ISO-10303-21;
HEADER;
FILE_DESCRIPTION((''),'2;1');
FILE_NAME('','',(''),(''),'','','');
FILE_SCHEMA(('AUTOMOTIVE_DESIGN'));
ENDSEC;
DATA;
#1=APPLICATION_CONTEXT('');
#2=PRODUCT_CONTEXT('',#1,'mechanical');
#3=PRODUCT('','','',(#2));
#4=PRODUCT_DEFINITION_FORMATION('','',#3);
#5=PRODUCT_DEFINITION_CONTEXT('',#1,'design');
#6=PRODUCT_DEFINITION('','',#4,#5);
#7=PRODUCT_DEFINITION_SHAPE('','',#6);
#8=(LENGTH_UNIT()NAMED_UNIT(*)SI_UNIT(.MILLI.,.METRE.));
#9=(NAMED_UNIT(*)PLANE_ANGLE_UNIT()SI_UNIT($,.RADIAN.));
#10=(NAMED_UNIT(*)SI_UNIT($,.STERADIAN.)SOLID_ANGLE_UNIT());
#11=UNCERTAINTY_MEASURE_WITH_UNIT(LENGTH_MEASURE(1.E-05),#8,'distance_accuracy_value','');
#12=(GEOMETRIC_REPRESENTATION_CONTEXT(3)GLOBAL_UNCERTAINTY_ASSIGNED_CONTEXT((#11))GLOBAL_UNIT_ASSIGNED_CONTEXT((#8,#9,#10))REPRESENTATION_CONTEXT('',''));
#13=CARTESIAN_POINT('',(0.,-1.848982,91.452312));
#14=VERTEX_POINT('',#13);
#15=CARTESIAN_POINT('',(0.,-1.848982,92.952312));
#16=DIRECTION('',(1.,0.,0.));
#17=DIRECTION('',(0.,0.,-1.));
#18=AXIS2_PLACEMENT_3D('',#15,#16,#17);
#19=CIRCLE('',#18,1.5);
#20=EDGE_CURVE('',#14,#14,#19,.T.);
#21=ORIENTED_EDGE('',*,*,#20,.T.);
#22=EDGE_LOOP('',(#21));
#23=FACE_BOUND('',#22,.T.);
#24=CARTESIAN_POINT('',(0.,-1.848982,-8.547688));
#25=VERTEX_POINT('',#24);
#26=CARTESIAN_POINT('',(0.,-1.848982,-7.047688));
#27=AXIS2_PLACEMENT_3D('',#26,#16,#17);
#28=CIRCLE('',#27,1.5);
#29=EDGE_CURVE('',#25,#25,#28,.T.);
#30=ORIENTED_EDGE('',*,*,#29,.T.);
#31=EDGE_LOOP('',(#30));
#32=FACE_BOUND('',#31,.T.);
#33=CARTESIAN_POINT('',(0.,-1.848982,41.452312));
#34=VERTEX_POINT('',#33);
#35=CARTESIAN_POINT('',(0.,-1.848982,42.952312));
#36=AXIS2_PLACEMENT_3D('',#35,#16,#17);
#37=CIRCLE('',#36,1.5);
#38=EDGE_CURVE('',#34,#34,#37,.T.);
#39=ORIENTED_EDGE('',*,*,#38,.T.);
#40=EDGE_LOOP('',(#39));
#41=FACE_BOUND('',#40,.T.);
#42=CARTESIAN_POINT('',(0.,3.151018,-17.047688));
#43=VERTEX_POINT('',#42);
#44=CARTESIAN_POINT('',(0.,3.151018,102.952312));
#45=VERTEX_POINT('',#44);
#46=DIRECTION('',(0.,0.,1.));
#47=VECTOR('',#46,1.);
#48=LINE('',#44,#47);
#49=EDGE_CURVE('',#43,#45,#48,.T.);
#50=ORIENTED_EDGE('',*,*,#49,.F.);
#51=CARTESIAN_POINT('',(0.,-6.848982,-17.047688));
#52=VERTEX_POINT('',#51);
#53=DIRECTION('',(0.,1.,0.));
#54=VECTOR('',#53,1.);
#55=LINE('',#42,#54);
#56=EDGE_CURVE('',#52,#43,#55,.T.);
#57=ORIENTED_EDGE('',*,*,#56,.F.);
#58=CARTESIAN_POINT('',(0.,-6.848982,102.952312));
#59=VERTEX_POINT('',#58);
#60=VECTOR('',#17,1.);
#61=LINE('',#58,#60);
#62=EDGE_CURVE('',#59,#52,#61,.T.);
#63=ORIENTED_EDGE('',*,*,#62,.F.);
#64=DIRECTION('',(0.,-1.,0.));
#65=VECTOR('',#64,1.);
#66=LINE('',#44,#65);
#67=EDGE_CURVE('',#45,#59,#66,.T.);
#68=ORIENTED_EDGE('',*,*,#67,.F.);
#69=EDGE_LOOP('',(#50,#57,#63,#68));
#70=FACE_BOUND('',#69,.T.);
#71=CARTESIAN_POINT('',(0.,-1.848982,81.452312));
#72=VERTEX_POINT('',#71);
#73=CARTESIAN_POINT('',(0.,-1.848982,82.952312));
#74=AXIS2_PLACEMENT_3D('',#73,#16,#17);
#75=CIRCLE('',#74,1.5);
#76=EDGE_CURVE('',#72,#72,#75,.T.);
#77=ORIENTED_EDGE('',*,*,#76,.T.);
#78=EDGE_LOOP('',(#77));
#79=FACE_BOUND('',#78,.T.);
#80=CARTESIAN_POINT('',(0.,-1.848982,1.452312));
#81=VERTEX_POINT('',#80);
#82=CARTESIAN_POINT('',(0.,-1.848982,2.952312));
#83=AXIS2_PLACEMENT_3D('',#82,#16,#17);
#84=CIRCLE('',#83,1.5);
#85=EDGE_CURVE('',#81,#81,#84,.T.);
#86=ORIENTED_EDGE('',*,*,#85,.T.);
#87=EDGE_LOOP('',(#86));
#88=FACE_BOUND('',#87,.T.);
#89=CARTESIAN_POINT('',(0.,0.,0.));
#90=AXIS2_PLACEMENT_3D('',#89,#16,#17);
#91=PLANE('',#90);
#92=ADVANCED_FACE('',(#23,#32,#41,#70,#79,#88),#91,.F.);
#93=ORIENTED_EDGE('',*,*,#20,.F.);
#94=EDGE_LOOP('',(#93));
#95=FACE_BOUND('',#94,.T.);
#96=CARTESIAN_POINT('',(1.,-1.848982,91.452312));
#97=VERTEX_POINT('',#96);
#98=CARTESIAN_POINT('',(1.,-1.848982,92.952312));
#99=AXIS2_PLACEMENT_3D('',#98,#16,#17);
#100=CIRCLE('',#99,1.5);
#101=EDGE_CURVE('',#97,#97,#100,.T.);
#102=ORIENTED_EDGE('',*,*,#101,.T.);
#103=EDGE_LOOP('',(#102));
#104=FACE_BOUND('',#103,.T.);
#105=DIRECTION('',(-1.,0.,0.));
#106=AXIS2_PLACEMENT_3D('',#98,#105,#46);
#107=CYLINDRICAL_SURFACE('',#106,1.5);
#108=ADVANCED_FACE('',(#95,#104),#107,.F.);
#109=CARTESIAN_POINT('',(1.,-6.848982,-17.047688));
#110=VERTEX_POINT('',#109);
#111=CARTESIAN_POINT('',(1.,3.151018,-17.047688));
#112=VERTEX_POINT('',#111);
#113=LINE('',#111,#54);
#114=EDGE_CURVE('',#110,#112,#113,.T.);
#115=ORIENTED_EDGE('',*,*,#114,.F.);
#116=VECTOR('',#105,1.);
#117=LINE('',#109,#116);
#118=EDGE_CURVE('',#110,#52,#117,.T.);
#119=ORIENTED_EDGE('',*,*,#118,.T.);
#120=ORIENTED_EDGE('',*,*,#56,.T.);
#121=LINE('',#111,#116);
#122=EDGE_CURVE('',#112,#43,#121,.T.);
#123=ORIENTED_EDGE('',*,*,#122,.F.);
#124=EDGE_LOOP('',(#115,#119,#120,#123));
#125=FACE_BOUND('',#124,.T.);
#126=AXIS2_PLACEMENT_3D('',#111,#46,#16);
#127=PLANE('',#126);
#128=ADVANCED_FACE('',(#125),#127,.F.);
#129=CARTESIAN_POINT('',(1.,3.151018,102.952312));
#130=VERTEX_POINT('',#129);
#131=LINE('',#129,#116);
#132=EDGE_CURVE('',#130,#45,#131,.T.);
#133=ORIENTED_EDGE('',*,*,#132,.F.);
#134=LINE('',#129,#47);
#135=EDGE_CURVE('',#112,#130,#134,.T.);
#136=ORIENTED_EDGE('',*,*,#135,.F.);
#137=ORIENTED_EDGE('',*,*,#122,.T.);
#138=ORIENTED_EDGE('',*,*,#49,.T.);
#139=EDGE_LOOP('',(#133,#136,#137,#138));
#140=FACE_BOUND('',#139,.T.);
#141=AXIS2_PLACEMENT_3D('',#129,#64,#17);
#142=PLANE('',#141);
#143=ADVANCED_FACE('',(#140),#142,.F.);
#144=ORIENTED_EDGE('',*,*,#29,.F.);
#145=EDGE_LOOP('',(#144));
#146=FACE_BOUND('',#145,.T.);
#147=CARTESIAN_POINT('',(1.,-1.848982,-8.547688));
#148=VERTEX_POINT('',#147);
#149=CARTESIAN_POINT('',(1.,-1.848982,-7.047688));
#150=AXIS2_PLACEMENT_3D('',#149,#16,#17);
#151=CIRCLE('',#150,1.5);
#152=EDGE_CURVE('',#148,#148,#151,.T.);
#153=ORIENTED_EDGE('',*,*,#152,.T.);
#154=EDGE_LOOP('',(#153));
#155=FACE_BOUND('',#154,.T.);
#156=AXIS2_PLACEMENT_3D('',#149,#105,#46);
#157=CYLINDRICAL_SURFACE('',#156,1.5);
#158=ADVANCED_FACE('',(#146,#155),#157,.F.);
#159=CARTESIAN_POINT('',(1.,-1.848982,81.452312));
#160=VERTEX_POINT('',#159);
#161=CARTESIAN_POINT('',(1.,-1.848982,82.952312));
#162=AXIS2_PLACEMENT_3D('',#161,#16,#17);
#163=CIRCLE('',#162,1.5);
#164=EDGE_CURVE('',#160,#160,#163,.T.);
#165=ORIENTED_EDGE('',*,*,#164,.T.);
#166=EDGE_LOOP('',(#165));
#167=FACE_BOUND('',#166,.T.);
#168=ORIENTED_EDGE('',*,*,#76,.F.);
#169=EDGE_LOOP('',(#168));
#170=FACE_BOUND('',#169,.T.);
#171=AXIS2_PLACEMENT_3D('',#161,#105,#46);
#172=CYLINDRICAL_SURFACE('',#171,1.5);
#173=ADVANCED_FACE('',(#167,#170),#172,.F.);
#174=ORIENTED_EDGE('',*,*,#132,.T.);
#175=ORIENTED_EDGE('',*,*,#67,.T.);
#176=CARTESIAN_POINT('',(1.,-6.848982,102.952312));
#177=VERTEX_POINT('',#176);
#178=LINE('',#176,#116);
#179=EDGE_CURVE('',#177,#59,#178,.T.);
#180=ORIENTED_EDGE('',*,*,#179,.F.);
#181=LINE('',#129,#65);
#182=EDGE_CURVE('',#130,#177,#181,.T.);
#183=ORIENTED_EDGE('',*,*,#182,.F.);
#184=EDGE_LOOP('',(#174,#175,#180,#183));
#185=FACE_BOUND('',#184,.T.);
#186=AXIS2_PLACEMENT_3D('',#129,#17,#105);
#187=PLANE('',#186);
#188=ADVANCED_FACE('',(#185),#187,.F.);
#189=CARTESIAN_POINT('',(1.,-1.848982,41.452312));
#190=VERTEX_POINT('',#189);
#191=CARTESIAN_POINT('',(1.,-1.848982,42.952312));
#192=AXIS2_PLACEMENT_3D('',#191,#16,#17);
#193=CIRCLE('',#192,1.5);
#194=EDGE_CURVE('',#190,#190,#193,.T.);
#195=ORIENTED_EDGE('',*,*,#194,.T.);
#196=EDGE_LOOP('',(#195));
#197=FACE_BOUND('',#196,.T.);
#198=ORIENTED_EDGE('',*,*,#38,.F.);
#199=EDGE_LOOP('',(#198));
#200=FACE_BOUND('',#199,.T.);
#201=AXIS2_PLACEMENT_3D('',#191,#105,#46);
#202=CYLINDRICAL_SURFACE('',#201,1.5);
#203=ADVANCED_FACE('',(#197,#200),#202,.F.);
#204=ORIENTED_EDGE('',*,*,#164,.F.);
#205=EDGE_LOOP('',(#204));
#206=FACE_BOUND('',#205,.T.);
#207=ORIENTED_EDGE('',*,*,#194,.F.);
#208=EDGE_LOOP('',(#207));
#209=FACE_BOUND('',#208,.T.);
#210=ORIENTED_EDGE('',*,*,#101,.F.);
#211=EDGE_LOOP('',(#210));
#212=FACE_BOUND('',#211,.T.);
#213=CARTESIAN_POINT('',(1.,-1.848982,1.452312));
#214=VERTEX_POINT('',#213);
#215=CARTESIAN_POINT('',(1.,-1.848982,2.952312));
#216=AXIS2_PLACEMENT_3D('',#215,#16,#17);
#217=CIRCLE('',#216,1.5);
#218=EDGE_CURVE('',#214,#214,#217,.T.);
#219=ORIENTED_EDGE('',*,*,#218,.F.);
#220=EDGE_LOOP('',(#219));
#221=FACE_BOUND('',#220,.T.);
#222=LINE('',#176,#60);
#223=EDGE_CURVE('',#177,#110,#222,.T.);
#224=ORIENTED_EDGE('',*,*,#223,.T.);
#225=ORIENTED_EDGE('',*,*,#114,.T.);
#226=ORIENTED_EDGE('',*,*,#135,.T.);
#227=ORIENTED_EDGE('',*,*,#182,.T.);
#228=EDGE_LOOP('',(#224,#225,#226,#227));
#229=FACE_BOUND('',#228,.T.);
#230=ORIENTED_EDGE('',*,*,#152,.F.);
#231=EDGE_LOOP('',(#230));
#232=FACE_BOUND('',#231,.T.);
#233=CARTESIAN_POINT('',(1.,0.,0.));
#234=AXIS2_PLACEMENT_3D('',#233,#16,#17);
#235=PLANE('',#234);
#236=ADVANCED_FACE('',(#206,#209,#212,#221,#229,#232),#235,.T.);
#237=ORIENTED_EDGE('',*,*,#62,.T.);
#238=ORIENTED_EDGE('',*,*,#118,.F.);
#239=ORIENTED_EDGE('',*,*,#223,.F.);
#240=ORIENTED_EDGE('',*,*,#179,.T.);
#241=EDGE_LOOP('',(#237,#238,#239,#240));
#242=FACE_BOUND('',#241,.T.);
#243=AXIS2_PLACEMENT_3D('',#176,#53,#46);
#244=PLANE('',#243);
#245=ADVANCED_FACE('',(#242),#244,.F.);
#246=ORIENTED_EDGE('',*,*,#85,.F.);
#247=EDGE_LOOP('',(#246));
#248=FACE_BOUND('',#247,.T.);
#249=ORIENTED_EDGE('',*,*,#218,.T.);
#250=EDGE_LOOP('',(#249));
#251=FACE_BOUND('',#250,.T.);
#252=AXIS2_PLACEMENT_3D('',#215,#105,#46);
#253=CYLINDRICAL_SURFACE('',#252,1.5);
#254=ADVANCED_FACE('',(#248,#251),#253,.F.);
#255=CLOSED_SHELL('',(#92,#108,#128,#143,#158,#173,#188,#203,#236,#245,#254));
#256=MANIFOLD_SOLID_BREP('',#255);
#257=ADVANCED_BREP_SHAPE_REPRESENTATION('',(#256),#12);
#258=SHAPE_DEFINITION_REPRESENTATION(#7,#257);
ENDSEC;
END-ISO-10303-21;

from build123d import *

# Parameters (mm, degrees)
SKETCH_1_W      = 120
SKETCH_1_H      = 10
SKETCH_1_R      = 1.5
EXTRUDE_1_DEPTH = 1


with BuildPart() as part:
    # 草图1 → 凸台-拉伸1 (new body)
    with BuildSketch(Plane(origin=(0, 0, 0), x_dir=(0, 0, -1), z_dir=(1, 0, 0))):
        with Locations((-42.952312312, -1.848982316)):
            Rectangle(SKETCH_1_W, SKETCH_1_H)
        with Locations((-82.952312312, -1.848982316)):
            Circle(SKETCH_1_R, mode=Mode.SUBTRACT)
        with Locations((-2.952312312, -1.848982316)):
            Circle(SKETCH_1_R, mode=Mode.SUBTRACT)
        with Locations((-92.952312312, -1.848982316)):
            Circle(SKETCH_1_R, mode=Mode.SUBTRACT)
        with Locations((7.047687688, -1.848982316)):
            Circle(SKETCH_1_R, mode=Mode.SUBTRACT)
        with Locations((-42.952312312, -1.848982316)):
            Circle(SKETCH_1_R, mode=Mode.SUBTRACT)
    extrude(amount=EXTRUDE_1_DEPTH)


solid = part.part
